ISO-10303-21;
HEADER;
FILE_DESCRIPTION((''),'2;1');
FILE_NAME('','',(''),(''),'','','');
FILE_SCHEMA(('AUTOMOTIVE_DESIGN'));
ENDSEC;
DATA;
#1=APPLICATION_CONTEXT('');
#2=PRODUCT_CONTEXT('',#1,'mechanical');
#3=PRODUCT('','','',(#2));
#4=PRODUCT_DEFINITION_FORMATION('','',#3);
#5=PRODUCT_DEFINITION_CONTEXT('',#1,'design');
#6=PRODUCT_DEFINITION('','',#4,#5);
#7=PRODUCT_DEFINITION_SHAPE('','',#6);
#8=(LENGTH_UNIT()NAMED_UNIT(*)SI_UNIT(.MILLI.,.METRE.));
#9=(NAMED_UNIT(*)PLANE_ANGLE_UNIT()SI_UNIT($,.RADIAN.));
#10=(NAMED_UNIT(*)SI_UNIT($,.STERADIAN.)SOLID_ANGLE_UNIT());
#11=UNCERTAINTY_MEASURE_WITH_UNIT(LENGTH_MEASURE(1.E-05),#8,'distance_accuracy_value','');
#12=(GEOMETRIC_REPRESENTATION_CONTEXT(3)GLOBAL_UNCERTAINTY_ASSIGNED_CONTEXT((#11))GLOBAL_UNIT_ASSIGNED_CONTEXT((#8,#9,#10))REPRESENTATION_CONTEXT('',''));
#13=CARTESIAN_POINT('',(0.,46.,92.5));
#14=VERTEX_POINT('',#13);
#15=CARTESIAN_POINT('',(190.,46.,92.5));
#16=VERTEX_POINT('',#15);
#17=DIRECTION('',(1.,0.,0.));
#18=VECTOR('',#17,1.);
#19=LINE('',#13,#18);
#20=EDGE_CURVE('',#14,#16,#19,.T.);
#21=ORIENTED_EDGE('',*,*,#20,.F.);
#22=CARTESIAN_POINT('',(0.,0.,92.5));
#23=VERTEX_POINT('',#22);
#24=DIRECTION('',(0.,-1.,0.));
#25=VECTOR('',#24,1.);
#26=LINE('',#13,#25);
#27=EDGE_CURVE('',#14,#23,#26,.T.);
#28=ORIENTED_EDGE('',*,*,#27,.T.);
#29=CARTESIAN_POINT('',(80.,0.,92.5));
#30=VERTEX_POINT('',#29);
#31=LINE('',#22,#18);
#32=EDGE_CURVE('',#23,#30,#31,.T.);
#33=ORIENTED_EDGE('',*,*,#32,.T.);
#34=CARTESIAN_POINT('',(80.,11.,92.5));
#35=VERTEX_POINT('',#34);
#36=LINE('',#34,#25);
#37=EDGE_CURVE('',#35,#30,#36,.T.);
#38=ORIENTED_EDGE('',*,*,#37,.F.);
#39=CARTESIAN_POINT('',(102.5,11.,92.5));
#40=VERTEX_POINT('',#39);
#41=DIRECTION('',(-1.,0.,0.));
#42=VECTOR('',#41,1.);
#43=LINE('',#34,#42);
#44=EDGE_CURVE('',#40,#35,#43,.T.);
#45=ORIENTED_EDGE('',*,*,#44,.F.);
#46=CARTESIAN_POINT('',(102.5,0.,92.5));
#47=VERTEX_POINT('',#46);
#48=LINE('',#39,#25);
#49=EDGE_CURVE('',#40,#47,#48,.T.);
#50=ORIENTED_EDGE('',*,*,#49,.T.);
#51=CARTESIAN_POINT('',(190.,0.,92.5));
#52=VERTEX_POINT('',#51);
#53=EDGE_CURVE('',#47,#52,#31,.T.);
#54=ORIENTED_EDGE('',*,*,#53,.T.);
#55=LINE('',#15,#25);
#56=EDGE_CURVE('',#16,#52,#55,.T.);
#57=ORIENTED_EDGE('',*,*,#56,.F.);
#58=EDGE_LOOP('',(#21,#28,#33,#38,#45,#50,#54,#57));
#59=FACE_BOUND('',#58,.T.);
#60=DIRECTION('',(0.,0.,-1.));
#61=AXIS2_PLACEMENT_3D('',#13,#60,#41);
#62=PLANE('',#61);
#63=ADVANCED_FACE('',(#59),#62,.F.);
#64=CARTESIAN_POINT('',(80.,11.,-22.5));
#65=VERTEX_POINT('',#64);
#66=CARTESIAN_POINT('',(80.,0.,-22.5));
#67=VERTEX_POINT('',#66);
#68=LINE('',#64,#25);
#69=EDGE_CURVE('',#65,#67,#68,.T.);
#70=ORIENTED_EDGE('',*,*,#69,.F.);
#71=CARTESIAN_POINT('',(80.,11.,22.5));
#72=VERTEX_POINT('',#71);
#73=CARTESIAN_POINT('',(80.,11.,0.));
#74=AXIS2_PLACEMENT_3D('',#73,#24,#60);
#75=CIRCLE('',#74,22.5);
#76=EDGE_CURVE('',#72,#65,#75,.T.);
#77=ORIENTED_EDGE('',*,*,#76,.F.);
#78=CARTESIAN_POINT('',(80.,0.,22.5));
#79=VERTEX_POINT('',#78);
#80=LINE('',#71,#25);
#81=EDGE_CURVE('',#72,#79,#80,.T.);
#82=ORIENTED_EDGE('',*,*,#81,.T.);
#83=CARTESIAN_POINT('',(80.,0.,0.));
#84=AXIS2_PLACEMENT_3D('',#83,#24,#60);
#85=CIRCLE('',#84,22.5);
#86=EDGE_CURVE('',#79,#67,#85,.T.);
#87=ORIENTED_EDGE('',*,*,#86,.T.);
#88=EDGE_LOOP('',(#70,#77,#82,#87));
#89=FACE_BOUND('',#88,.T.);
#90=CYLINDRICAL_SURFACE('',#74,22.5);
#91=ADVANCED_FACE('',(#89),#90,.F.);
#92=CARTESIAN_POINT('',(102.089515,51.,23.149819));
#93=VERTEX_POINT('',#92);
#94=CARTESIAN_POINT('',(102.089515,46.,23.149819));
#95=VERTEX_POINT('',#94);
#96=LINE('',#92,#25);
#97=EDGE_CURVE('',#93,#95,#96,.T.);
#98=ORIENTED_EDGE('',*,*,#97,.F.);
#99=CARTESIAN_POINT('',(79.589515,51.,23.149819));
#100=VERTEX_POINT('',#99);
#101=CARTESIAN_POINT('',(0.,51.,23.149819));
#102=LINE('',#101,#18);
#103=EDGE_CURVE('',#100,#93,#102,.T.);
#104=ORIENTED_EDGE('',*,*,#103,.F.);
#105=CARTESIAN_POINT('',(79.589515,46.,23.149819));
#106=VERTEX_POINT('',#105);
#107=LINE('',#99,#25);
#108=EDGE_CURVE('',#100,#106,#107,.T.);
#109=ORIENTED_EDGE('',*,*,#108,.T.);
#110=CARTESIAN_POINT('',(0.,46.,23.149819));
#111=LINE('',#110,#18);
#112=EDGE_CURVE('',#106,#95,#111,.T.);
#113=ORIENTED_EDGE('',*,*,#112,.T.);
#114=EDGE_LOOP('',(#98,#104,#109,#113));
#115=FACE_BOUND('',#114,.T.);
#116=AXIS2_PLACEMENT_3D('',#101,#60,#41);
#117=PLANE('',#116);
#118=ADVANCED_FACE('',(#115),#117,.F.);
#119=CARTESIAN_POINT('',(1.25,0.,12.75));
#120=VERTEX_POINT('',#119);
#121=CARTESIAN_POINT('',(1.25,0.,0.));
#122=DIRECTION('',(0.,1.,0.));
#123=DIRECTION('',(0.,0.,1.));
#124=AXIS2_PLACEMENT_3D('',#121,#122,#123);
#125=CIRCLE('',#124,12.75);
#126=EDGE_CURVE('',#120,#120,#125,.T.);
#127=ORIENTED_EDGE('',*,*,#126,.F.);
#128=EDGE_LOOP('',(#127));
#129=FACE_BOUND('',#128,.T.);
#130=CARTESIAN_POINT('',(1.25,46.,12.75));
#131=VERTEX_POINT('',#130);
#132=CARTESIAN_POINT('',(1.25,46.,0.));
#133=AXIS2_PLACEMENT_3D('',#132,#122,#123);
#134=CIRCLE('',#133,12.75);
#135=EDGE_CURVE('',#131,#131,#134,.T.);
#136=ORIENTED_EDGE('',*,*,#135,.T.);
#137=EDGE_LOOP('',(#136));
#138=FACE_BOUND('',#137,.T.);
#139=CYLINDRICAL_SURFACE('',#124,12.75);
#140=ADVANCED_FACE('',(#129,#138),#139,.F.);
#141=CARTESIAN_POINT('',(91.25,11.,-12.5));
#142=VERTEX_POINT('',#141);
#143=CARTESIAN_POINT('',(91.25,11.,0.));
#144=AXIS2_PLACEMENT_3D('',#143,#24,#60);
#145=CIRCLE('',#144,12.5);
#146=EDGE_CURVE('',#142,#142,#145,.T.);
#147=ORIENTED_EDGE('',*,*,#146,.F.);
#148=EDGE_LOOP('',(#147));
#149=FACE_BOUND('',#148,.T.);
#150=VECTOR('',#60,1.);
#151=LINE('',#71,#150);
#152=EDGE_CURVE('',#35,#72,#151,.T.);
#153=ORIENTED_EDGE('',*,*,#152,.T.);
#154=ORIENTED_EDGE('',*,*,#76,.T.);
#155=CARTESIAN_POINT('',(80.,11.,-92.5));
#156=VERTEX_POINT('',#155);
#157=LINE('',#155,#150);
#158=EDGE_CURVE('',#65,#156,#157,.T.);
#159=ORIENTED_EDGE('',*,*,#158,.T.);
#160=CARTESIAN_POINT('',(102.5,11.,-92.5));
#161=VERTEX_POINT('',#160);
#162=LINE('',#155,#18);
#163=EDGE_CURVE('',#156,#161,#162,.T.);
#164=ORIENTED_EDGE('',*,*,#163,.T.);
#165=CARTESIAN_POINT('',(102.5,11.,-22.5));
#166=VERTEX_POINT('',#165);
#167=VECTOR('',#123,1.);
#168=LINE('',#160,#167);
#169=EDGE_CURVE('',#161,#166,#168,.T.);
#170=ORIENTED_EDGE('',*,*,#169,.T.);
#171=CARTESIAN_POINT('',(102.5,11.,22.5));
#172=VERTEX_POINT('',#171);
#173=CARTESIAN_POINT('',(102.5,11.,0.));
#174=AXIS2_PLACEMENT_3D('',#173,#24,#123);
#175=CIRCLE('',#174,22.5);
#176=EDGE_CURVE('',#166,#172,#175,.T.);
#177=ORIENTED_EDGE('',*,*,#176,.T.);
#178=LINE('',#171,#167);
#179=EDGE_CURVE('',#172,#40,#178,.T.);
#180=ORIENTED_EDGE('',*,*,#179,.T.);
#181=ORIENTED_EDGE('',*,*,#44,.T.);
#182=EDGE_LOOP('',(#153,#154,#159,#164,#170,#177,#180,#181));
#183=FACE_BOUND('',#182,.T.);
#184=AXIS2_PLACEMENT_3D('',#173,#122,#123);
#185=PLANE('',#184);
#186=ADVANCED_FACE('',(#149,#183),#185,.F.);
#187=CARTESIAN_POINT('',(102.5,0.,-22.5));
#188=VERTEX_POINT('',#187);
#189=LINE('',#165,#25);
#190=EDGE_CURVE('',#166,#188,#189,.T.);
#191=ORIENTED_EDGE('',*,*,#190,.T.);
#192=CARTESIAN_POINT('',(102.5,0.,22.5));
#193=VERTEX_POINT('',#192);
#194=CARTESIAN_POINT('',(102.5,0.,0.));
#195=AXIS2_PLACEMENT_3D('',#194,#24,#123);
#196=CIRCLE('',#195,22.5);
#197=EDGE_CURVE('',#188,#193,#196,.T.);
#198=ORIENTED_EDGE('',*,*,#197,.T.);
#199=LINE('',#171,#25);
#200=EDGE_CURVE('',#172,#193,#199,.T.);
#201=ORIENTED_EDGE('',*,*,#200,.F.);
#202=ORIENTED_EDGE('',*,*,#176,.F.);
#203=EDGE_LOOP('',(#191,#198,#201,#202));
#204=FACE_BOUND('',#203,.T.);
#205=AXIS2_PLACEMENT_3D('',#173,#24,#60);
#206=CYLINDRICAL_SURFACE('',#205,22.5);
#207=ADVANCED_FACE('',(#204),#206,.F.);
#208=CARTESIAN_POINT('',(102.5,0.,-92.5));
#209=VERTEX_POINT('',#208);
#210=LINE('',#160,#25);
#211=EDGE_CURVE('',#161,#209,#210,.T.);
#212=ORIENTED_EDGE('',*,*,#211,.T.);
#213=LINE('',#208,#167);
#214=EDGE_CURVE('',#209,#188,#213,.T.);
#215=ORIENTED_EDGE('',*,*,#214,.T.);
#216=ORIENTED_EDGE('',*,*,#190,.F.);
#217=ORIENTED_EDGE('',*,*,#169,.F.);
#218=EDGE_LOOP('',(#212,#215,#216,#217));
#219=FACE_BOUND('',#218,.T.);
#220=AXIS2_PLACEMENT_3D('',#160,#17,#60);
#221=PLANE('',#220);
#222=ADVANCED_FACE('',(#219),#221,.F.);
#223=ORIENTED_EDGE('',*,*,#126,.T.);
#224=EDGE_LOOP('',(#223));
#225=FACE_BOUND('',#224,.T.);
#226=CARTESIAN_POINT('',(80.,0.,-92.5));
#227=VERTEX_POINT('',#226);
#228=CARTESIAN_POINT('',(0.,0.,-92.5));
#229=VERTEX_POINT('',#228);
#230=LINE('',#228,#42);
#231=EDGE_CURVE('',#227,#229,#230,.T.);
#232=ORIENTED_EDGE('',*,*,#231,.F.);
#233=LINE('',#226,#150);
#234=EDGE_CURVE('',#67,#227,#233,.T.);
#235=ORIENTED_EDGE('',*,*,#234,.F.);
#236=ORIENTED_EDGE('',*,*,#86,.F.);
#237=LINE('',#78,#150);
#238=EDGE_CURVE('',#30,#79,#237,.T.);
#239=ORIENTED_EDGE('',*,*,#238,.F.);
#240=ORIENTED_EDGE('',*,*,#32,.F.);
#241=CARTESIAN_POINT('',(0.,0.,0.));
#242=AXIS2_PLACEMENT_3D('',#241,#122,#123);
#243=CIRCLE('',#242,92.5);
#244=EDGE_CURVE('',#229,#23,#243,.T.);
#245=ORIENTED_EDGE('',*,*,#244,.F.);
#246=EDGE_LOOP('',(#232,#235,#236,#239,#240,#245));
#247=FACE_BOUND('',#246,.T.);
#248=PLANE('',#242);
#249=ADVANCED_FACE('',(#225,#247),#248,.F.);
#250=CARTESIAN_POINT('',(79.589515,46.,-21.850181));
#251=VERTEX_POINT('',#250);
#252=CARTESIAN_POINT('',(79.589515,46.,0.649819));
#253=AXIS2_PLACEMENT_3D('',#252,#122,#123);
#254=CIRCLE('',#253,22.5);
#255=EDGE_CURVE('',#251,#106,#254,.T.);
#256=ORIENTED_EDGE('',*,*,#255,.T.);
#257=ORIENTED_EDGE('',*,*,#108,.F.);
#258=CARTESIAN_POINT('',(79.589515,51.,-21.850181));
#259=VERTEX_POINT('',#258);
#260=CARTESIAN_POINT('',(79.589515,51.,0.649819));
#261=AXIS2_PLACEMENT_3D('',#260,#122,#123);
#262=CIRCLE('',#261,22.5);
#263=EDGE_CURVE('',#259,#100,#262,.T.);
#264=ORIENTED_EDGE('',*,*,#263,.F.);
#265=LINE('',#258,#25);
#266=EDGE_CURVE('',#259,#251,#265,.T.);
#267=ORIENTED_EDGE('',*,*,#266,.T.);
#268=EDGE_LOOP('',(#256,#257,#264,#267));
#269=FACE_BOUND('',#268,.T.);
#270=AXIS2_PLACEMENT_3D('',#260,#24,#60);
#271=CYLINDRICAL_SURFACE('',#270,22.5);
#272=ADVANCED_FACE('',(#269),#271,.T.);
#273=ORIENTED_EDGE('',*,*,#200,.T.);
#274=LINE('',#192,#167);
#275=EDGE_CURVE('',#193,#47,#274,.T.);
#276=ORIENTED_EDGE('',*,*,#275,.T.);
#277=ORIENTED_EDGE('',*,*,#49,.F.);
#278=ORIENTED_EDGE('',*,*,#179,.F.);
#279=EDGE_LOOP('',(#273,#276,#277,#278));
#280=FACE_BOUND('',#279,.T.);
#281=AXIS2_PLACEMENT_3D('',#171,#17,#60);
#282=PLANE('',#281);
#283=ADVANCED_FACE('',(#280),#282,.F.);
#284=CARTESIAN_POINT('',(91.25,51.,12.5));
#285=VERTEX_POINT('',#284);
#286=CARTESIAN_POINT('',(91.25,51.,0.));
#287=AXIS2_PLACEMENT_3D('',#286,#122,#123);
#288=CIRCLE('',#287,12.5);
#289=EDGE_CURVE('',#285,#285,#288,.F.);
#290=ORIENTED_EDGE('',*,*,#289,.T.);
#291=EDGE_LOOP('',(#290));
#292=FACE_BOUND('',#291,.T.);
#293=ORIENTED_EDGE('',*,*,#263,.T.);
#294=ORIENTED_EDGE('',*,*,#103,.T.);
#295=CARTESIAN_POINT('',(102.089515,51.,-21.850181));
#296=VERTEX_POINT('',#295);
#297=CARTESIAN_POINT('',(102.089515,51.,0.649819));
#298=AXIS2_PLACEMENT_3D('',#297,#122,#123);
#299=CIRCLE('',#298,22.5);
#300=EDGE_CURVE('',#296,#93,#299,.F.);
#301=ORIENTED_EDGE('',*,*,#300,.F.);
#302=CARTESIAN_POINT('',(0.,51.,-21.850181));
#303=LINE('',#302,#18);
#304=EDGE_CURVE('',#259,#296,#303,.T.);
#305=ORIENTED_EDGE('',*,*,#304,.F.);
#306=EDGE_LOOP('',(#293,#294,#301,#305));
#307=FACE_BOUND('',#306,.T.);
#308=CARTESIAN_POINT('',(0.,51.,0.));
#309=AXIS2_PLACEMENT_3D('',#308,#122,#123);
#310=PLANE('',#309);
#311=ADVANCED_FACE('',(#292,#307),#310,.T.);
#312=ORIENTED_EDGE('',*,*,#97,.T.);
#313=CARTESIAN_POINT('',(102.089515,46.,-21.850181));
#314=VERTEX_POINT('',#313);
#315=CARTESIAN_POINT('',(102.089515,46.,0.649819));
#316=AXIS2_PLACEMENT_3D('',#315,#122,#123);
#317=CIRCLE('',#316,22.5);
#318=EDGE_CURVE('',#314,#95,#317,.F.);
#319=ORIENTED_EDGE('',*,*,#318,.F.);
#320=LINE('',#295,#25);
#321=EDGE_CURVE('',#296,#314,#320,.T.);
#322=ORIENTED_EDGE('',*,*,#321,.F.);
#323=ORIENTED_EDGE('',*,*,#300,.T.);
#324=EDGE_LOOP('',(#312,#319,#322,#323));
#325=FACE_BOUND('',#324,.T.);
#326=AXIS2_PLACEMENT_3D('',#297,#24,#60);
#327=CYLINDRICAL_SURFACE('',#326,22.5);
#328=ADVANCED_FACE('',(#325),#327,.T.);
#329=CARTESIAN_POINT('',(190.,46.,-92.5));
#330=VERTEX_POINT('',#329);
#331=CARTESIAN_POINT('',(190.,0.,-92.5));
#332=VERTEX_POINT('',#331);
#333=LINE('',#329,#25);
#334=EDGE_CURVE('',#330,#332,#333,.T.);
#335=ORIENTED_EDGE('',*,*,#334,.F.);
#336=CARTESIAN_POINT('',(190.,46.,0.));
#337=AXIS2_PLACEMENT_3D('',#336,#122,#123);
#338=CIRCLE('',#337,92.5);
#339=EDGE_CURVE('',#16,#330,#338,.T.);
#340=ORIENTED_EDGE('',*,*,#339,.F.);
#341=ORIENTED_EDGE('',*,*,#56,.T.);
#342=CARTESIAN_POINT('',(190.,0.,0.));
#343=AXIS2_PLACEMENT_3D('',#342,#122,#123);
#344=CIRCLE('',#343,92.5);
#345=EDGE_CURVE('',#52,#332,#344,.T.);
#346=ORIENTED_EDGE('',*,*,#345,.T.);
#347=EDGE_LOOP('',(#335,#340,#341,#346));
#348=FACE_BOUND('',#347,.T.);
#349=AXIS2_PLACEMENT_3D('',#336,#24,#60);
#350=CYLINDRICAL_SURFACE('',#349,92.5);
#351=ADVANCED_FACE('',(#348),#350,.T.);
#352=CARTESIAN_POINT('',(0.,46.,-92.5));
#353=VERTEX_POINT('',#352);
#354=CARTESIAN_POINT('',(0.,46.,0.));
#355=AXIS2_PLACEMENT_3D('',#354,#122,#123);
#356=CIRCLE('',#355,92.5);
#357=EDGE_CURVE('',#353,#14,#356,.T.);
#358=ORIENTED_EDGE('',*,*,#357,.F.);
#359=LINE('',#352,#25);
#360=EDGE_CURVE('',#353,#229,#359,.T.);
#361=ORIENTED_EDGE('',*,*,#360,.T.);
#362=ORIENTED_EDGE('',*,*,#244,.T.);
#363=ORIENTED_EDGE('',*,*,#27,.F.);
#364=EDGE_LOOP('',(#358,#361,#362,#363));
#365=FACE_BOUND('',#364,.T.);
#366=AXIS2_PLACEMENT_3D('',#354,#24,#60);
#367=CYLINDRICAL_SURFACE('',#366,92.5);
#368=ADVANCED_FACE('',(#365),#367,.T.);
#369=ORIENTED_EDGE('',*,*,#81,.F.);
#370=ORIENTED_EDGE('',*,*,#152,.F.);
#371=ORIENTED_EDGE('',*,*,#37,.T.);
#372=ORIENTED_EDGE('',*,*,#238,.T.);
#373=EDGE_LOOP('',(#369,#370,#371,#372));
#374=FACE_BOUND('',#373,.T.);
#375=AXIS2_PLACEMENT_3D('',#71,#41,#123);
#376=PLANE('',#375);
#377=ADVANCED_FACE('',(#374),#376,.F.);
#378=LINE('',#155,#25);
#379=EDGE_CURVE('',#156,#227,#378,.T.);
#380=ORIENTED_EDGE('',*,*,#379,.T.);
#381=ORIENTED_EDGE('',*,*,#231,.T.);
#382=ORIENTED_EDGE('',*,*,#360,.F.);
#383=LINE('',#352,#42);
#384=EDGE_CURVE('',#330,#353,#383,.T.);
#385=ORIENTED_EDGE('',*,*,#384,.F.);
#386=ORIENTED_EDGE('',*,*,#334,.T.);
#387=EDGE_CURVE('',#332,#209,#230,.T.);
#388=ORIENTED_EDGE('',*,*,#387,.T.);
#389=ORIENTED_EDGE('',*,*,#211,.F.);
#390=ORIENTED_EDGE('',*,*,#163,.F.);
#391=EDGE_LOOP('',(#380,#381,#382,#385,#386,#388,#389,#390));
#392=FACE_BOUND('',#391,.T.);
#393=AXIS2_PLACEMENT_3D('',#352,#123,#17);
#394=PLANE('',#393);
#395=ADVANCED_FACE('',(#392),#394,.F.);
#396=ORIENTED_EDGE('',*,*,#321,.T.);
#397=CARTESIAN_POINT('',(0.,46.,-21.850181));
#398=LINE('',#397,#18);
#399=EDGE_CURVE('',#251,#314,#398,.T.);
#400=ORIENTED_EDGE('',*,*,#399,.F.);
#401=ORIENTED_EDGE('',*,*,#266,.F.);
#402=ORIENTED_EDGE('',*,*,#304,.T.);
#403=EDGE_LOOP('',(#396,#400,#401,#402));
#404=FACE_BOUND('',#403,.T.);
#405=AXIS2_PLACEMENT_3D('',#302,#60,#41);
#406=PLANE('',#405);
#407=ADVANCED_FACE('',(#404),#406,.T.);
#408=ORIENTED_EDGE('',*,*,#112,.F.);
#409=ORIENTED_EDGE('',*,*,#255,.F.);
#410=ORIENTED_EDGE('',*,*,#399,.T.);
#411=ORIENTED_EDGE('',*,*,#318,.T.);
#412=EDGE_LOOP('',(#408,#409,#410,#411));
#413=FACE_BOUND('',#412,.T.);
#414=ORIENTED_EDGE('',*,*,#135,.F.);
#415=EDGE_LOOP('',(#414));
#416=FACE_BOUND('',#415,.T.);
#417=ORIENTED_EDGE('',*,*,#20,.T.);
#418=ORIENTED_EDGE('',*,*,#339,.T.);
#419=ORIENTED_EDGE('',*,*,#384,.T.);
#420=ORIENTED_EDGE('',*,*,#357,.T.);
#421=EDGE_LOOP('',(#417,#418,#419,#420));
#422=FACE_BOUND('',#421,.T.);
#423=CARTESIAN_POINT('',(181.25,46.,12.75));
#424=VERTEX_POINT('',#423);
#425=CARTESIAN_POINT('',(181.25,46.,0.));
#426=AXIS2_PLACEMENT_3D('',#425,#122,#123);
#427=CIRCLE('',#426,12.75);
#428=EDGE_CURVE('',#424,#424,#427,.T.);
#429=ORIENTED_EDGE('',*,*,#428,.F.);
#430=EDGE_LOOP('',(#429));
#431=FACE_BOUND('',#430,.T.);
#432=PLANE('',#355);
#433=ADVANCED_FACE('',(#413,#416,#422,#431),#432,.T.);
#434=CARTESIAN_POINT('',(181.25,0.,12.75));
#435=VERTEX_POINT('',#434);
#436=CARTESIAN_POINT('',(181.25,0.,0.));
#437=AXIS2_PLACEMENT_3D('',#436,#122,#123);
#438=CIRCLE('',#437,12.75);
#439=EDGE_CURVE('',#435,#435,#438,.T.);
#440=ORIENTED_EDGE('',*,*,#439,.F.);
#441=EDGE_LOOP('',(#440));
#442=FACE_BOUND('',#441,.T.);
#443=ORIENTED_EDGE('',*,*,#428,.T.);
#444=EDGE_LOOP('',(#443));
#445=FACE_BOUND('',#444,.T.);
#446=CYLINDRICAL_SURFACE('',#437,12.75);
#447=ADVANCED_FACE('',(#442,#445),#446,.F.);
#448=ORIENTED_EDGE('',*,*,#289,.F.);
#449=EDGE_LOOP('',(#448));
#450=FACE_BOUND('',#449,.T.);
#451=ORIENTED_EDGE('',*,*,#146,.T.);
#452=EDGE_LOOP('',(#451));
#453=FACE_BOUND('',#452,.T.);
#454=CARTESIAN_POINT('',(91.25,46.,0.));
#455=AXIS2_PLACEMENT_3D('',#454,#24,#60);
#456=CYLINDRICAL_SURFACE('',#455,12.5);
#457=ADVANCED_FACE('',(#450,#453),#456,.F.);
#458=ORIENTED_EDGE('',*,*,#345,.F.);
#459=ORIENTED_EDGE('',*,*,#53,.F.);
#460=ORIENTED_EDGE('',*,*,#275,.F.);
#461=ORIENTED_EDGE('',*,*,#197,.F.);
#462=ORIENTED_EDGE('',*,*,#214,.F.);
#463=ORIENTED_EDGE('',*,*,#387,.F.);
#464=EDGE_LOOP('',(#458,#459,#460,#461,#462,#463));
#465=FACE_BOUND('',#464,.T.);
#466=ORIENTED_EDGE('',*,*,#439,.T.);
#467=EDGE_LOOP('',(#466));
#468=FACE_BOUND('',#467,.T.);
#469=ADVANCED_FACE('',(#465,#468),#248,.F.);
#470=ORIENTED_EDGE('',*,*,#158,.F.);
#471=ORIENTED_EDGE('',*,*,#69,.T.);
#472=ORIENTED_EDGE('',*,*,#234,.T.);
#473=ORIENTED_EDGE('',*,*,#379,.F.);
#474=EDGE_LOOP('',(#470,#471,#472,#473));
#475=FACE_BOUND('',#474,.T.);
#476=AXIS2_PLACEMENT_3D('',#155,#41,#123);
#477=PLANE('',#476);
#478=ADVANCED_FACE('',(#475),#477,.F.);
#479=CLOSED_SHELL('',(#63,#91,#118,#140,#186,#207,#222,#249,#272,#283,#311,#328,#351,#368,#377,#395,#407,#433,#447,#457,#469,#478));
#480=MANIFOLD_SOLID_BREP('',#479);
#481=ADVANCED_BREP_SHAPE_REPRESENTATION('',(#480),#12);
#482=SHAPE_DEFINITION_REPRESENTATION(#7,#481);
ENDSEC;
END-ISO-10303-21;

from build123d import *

# Parameters (mm, degrees)
BOSS_EXTRUDE1_DEPTH     = 46
CUT_EXTRUDE1_DEPTH      = 11
SKETCH3_R               = 12.5
CUT_EXTRUDE2_DEPTH      = 300.311710429
SKETCH4_R               = 12.5
BOSS_EXTRUDE2_DEPTH     = 5
CUT_EXTRUDE3_DEPTH      = 301.796442798
CUT_EXTRUDE3_DEPTH_BACK = 301.796442798
SKETCH5_R               = 12.75


with BuildPart() as part:
    # Sketch1 → Boss-Extrude1 (new body)
    with BuildSketch(Plane(origin=(0, 0, 0), x_dir=(1, 0, 0), z_dir=(0, 1, 0))):
        with BuildLine():
            Line((0, 92.5), (190, 92.5))
            ThreePointArc((190, 92.5), (282.5, 0), (190, -92.5))
            Line((190, -92.5), (0, -92.5))
            ThreePointArc((0, -92.5), (-92.5, 0), (0, 92.5))
        make_face()
    extrude(amount=BOSS_EXTRUDE1_DEPTH)

    # Sketch2 → Cut-Extrude1 (cut)
    with BuildSketch(Plane.XZ):
        with BuildLine():
            Line((80, -92.5), (80, -22.5))
            ThreePointArc((80, -22.5), (57.5, 0), (80, 22.5))
            Line((80, 22.5), (80, 92.5))
            Line((80, 92.5), (102.5, 92.5))
            Line((102.5, 92.5), (102.5, 22.5))
            ThreePointArc((102.5, 22.5), (125, 0), (102.5, -22.5))
            Line((102.5, -22.5), (102.5, -92.5))
            Line((102.5, -92.5), (80, -92.5))
        make_face()
    extrude(amount=-CUT_EXTRUDE1_DEPTH, mode=Mode.SUBTRACT)

    # Sketch3 → Cut-Extrude2 (cut, through all)
    with BuildSketch(Plane.XZ.offset(-11)):
        with Locations(Location((91.25, 0, 0), (0, 0, 270))):
            Circle(SKETCH3_R)
    extrude(amount=-CUT_EXTRUDE2_DEPTH, mode=Mode.SUBTRACT)

    # Sketch4 → Boss-Extrude2 (add)
    with BuildSketch(Plane(origin=(0, 46, 0), x_dir=(1, 0, 0), z_dir=(0, 1, 0))):
        with BuildLine():
            ThreePointArc((102.089515, 21.8501808), (124.589515, -0.6498192), (102.089515, -23.1498192))
            Line((102.089515, -23.1498192), (79.589515, -23.1498192))
            ThreePointArc((79.589515, -23.1498192), (57.089515, -0.6498192), (79.589515, 21.8501808))
            Line((79.589515, 21.8501808), (102.089515, 21.8501808))
        make_face()
        with Locations(Location((91.25, 0, 0), (0, 0, 90))):
            Circle(SKETCH4_R, mode=Mode.SUBTRACT)
    extrude(amount=BOSS_EXTRUDE2_DEPTH)

    # Sketch5 → Cut-Extrude3 (cut, two sides: drawn at the far end of the back side and taken through both)
    with BuildSketch(Plane(origin=(0, 46, 0), x_dir=(1, 0, 0), z_dir=(0, 1, 0)).offset(-CUT_EXTRUDE3_DEPTH_BACK)):
        with Locations(Location((1.25, 0, 0), (0, 0, 270))):
            Circle(SKETCH5_R)
        with Locations(Location((181.25, 0, 0), (0, 0, 270))):
            Circle(SKETCH5_R)
    extrude(amount=CUT_EXTRUDE3_DEPTH + CUT_EXTRUDE3_DEPTH_BACK, mode=Mode.SUBTRACT)


solid = part.part
